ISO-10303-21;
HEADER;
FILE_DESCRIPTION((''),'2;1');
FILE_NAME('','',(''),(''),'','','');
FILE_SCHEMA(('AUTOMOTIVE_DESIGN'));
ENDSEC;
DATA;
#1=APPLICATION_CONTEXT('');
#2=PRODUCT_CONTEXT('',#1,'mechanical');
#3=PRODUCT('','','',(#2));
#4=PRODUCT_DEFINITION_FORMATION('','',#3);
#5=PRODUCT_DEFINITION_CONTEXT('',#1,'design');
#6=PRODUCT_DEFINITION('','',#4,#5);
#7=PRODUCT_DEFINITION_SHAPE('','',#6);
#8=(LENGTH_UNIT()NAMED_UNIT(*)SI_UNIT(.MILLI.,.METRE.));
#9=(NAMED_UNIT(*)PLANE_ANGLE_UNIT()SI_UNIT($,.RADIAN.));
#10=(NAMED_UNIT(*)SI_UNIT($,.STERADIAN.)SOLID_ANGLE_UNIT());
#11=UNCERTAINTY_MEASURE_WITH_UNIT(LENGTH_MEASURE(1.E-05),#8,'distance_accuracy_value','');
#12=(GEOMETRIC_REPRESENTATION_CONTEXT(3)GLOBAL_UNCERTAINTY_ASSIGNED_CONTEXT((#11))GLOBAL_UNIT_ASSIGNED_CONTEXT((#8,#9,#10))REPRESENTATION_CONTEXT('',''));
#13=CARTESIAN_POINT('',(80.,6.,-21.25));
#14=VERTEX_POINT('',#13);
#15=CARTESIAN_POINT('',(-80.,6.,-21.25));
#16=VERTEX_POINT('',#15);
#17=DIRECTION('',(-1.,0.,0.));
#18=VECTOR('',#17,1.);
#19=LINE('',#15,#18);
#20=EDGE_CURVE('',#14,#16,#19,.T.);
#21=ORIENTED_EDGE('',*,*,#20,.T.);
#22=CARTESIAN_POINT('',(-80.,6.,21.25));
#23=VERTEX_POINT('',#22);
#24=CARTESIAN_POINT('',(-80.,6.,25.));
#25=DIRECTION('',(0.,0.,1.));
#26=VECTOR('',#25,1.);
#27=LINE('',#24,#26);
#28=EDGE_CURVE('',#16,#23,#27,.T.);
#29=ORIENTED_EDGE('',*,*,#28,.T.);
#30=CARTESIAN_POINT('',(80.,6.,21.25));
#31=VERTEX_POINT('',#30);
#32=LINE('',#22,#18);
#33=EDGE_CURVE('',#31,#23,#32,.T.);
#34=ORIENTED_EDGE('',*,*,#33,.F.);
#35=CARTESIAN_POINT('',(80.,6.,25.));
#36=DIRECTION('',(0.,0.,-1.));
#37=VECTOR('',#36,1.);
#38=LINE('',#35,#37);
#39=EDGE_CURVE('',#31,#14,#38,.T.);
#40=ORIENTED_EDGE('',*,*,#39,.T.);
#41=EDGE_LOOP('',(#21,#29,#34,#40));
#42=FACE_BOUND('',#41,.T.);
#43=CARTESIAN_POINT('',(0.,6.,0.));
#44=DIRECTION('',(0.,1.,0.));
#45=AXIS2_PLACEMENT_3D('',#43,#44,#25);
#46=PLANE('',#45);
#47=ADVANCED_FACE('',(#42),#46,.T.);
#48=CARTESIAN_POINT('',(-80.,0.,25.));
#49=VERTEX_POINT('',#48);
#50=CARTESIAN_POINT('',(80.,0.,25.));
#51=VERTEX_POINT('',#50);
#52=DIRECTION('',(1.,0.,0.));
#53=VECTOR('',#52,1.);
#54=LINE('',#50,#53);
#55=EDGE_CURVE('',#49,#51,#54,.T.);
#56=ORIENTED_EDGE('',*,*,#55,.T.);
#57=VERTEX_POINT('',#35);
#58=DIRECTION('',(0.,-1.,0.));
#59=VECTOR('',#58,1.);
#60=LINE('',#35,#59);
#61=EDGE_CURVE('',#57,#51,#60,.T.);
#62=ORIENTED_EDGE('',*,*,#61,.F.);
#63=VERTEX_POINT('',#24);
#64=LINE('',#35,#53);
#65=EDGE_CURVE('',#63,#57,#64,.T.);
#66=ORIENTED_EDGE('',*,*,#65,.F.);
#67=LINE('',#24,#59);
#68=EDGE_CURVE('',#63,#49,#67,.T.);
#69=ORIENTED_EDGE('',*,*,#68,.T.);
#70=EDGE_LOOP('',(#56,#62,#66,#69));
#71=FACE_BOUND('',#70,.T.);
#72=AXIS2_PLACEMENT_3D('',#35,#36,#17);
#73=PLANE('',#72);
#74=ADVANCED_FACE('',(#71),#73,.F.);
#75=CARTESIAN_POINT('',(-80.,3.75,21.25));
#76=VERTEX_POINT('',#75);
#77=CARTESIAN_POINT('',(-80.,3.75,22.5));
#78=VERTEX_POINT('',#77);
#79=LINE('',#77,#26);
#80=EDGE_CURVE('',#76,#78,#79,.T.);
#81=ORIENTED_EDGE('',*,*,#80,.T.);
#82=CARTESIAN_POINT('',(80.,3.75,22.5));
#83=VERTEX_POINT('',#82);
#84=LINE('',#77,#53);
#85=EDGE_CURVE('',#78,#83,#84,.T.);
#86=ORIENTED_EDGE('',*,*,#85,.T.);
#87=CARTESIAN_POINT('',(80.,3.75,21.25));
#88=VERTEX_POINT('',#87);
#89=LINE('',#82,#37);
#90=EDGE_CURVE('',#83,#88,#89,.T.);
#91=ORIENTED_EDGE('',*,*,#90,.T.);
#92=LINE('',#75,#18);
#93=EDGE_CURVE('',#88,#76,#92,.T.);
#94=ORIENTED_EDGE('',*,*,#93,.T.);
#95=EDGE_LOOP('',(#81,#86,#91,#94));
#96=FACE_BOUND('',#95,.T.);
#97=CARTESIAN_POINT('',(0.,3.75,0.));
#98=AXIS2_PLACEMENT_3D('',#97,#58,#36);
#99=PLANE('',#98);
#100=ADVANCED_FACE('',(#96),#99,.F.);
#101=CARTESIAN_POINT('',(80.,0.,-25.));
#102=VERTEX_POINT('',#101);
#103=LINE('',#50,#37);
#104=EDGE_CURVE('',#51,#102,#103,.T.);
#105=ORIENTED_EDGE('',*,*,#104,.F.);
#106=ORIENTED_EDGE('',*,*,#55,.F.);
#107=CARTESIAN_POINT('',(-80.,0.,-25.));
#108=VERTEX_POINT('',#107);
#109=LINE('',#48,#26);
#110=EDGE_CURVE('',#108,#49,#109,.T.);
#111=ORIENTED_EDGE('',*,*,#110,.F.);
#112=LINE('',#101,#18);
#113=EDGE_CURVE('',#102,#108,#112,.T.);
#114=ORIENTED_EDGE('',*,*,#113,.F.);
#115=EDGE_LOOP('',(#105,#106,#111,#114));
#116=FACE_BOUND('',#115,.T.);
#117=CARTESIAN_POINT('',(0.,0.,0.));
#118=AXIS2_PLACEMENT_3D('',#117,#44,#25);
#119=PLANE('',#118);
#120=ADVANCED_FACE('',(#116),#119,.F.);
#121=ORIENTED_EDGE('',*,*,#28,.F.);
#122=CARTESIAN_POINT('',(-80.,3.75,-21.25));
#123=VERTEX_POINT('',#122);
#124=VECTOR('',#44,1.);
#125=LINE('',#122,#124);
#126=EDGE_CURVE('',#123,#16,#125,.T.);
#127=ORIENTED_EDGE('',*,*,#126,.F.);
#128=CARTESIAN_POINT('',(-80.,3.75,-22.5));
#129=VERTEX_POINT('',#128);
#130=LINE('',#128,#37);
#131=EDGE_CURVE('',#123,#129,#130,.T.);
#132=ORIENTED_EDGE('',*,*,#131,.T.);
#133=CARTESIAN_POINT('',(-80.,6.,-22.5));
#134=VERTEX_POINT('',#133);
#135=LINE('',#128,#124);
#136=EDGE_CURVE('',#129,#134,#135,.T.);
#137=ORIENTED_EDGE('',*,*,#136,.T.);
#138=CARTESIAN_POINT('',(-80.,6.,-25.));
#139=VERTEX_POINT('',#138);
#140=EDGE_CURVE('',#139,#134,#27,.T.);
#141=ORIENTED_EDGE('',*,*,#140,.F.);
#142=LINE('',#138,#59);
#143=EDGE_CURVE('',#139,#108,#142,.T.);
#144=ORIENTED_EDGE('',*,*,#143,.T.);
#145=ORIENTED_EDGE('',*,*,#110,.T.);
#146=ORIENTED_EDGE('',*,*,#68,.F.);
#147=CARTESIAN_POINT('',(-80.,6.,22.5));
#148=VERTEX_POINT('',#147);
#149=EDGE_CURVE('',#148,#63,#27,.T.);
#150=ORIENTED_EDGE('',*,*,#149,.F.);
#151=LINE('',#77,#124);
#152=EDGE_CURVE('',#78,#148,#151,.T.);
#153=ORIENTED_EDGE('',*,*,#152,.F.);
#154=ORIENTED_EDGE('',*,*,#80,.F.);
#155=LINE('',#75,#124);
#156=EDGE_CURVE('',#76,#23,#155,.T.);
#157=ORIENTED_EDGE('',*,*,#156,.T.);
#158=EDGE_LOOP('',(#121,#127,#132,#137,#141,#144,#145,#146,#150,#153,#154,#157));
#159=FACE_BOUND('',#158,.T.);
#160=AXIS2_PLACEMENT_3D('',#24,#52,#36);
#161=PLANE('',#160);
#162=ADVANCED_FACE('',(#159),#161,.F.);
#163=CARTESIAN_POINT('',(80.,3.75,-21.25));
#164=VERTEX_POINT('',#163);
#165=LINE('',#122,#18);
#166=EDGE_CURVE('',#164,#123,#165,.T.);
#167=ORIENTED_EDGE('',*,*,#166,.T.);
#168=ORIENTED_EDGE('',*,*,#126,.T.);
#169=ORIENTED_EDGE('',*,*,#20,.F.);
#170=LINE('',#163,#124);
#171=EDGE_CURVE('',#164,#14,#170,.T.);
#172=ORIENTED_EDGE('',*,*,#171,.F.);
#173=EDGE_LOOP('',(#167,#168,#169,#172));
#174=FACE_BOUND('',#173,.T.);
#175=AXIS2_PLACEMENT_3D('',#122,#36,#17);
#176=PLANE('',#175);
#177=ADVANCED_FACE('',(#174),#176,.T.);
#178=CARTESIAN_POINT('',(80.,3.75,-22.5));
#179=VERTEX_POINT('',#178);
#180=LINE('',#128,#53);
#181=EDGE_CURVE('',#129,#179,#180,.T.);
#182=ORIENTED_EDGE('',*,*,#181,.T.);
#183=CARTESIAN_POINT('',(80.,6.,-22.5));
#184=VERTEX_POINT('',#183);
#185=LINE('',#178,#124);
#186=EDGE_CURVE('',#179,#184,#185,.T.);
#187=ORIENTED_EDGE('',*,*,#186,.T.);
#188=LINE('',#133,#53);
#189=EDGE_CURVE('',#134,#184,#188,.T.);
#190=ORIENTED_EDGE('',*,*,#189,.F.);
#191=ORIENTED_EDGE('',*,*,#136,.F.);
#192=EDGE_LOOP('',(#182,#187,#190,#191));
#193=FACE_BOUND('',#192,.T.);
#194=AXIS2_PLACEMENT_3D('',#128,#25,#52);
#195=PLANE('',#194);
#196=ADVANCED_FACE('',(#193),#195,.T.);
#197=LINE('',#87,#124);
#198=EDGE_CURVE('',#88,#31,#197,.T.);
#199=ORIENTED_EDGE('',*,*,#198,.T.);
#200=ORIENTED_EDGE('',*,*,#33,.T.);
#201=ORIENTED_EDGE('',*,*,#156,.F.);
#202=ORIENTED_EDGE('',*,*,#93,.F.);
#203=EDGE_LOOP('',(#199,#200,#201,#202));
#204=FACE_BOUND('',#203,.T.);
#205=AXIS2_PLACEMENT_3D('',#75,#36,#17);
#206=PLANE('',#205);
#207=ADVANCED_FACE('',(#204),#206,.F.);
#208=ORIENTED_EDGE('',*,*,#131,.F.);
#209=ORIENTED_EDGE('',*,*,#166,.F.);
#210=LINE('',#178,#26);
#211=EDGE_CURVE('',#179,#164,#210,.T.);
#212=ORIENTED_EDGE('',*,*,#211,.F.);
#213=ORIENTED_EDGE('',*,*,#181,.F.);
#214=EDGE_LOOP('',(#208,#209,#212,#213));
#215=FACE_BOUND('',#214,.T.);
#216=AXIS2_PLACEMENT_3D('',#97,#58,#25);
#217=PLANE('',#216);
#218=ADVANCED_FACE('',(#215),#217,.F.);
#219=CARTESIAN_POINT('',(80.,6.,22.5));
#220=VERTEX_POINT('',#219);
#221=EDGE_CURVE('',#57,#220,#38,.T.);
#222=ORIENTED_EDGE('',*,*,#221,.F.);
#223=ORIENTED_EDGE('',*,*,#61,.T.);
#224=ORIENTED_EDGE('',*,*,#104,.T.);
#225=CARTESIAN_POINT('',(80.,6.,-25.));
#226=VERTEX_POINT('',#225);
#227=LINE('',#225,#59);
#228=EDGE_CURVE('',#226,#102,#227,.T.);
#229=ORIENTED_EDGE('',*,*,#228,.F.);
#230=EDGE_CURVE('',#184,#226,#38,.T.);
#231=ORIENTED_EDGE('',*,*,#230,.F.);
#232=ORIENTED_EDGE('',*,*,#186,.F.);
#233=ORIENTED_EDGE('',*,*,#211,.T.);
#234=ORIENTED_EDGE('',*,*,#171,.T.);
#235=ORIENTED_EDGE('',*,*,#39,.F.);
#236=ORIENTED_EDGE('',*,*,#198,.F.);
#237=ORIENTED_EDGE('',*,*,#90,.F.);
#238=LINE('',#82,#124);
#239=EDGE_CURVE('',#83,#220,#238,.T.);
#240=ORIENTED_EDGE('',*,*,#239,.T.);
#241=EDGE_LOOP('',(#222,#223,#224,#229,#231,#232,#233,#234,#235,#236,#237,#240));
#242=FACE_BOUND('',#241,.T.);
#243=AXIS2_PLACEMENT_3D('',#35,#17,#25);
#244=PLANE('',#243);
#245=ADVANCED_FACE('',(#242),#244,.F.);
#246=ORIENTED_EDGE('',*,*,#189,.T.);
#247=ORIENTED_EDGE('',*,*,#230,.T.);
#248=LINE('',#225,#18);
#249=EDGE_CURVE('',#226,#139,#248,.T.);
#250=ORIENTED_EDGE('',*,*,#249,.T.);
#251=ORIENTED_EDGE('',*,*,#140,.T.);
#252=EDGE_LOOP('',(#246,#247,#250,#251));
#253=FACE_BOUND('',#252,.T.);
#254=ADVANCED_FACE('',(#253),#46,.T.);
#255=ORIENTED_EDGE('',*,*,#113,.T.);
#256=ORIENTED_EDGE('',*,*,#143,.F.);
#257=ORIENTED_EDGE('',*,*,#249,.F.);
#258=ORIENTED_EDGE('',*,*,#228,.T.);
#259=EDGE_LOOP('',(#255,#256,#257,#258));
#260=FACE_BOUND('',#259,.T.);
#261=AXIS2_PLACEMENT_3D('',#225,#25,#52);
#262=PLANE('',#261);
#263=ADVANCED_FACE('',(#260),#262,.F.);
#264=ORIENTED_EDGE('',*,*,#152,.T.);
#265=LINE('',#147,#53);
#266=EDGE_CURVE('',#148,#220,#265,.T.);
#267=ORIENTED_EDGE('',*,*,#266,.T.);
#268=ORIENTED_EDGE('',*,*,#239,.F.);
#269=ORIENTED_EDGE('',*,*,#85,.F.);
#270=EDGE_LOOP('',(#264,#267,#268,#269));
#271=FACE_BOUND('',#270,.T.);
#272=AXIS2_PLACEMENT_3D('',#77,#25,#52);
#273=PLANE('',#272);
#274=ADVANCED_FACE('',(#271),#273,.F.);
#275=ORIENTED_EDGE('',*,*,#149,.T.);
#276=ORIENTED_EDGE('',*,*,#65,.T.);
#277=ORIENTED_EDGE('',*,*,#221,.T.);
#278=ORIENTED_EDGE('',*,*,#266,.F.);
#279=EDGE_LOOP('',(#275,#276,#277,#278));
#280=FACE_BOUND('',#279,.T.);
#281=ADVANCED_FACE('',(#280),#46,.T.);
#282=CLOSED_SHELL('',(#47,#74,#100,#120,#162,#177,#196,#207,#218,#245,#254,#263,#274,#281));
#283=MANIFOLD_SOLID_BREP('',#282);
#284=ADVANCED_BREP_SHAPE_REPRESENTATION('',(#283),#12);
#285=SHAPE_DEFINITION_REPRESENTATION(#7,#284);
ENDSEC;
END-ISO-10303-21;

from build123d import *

# Parameters (mm, degrees)
SKETCH1_W           = 160
SKETCH1_H           = 50
BOSS_EXTRUDE1_DEPTH = 6
SKETCH3_W           = 160
SKETCH3_H           = 1.25
CUT_EXTRUDE1_DEPTH  = 2.25


with BuildPart() as part:
    # Sketch1 → Boss-Extrude1 (new body)
    with BuildSketch(Plane(origin=(0, 0, 0), x_dir=(1, 0, 0), z_dir=(0, 1, 0))):
        Rectangle(SKETCH1_W, SKETCH1_H)
    extrude(amount=BOSS_EXTRUDE1_DEPTH)

    # Sketch3 → Cut-Extrude1 (cut)
    with BuildSketch(Plane(origin=(0, 6, 0), x_dir=(1, 0, 0), z_dir=(0, 1, 0))):
        with Locations((0, -21.875)):
            Rectangle(SKETCH3_W, SKETCH3_H)
    cut_extrude1 = extrude(amount=-CUT_EXTRUDE1_DEPTH, mode=Mode.SUBTRACT)

    # Mirror1: Cut-Extrude1 across plane
    add(cut_extrude1.mirror(Plane.XY), mode=Mode.SUBTRACT)


solid = part.part
